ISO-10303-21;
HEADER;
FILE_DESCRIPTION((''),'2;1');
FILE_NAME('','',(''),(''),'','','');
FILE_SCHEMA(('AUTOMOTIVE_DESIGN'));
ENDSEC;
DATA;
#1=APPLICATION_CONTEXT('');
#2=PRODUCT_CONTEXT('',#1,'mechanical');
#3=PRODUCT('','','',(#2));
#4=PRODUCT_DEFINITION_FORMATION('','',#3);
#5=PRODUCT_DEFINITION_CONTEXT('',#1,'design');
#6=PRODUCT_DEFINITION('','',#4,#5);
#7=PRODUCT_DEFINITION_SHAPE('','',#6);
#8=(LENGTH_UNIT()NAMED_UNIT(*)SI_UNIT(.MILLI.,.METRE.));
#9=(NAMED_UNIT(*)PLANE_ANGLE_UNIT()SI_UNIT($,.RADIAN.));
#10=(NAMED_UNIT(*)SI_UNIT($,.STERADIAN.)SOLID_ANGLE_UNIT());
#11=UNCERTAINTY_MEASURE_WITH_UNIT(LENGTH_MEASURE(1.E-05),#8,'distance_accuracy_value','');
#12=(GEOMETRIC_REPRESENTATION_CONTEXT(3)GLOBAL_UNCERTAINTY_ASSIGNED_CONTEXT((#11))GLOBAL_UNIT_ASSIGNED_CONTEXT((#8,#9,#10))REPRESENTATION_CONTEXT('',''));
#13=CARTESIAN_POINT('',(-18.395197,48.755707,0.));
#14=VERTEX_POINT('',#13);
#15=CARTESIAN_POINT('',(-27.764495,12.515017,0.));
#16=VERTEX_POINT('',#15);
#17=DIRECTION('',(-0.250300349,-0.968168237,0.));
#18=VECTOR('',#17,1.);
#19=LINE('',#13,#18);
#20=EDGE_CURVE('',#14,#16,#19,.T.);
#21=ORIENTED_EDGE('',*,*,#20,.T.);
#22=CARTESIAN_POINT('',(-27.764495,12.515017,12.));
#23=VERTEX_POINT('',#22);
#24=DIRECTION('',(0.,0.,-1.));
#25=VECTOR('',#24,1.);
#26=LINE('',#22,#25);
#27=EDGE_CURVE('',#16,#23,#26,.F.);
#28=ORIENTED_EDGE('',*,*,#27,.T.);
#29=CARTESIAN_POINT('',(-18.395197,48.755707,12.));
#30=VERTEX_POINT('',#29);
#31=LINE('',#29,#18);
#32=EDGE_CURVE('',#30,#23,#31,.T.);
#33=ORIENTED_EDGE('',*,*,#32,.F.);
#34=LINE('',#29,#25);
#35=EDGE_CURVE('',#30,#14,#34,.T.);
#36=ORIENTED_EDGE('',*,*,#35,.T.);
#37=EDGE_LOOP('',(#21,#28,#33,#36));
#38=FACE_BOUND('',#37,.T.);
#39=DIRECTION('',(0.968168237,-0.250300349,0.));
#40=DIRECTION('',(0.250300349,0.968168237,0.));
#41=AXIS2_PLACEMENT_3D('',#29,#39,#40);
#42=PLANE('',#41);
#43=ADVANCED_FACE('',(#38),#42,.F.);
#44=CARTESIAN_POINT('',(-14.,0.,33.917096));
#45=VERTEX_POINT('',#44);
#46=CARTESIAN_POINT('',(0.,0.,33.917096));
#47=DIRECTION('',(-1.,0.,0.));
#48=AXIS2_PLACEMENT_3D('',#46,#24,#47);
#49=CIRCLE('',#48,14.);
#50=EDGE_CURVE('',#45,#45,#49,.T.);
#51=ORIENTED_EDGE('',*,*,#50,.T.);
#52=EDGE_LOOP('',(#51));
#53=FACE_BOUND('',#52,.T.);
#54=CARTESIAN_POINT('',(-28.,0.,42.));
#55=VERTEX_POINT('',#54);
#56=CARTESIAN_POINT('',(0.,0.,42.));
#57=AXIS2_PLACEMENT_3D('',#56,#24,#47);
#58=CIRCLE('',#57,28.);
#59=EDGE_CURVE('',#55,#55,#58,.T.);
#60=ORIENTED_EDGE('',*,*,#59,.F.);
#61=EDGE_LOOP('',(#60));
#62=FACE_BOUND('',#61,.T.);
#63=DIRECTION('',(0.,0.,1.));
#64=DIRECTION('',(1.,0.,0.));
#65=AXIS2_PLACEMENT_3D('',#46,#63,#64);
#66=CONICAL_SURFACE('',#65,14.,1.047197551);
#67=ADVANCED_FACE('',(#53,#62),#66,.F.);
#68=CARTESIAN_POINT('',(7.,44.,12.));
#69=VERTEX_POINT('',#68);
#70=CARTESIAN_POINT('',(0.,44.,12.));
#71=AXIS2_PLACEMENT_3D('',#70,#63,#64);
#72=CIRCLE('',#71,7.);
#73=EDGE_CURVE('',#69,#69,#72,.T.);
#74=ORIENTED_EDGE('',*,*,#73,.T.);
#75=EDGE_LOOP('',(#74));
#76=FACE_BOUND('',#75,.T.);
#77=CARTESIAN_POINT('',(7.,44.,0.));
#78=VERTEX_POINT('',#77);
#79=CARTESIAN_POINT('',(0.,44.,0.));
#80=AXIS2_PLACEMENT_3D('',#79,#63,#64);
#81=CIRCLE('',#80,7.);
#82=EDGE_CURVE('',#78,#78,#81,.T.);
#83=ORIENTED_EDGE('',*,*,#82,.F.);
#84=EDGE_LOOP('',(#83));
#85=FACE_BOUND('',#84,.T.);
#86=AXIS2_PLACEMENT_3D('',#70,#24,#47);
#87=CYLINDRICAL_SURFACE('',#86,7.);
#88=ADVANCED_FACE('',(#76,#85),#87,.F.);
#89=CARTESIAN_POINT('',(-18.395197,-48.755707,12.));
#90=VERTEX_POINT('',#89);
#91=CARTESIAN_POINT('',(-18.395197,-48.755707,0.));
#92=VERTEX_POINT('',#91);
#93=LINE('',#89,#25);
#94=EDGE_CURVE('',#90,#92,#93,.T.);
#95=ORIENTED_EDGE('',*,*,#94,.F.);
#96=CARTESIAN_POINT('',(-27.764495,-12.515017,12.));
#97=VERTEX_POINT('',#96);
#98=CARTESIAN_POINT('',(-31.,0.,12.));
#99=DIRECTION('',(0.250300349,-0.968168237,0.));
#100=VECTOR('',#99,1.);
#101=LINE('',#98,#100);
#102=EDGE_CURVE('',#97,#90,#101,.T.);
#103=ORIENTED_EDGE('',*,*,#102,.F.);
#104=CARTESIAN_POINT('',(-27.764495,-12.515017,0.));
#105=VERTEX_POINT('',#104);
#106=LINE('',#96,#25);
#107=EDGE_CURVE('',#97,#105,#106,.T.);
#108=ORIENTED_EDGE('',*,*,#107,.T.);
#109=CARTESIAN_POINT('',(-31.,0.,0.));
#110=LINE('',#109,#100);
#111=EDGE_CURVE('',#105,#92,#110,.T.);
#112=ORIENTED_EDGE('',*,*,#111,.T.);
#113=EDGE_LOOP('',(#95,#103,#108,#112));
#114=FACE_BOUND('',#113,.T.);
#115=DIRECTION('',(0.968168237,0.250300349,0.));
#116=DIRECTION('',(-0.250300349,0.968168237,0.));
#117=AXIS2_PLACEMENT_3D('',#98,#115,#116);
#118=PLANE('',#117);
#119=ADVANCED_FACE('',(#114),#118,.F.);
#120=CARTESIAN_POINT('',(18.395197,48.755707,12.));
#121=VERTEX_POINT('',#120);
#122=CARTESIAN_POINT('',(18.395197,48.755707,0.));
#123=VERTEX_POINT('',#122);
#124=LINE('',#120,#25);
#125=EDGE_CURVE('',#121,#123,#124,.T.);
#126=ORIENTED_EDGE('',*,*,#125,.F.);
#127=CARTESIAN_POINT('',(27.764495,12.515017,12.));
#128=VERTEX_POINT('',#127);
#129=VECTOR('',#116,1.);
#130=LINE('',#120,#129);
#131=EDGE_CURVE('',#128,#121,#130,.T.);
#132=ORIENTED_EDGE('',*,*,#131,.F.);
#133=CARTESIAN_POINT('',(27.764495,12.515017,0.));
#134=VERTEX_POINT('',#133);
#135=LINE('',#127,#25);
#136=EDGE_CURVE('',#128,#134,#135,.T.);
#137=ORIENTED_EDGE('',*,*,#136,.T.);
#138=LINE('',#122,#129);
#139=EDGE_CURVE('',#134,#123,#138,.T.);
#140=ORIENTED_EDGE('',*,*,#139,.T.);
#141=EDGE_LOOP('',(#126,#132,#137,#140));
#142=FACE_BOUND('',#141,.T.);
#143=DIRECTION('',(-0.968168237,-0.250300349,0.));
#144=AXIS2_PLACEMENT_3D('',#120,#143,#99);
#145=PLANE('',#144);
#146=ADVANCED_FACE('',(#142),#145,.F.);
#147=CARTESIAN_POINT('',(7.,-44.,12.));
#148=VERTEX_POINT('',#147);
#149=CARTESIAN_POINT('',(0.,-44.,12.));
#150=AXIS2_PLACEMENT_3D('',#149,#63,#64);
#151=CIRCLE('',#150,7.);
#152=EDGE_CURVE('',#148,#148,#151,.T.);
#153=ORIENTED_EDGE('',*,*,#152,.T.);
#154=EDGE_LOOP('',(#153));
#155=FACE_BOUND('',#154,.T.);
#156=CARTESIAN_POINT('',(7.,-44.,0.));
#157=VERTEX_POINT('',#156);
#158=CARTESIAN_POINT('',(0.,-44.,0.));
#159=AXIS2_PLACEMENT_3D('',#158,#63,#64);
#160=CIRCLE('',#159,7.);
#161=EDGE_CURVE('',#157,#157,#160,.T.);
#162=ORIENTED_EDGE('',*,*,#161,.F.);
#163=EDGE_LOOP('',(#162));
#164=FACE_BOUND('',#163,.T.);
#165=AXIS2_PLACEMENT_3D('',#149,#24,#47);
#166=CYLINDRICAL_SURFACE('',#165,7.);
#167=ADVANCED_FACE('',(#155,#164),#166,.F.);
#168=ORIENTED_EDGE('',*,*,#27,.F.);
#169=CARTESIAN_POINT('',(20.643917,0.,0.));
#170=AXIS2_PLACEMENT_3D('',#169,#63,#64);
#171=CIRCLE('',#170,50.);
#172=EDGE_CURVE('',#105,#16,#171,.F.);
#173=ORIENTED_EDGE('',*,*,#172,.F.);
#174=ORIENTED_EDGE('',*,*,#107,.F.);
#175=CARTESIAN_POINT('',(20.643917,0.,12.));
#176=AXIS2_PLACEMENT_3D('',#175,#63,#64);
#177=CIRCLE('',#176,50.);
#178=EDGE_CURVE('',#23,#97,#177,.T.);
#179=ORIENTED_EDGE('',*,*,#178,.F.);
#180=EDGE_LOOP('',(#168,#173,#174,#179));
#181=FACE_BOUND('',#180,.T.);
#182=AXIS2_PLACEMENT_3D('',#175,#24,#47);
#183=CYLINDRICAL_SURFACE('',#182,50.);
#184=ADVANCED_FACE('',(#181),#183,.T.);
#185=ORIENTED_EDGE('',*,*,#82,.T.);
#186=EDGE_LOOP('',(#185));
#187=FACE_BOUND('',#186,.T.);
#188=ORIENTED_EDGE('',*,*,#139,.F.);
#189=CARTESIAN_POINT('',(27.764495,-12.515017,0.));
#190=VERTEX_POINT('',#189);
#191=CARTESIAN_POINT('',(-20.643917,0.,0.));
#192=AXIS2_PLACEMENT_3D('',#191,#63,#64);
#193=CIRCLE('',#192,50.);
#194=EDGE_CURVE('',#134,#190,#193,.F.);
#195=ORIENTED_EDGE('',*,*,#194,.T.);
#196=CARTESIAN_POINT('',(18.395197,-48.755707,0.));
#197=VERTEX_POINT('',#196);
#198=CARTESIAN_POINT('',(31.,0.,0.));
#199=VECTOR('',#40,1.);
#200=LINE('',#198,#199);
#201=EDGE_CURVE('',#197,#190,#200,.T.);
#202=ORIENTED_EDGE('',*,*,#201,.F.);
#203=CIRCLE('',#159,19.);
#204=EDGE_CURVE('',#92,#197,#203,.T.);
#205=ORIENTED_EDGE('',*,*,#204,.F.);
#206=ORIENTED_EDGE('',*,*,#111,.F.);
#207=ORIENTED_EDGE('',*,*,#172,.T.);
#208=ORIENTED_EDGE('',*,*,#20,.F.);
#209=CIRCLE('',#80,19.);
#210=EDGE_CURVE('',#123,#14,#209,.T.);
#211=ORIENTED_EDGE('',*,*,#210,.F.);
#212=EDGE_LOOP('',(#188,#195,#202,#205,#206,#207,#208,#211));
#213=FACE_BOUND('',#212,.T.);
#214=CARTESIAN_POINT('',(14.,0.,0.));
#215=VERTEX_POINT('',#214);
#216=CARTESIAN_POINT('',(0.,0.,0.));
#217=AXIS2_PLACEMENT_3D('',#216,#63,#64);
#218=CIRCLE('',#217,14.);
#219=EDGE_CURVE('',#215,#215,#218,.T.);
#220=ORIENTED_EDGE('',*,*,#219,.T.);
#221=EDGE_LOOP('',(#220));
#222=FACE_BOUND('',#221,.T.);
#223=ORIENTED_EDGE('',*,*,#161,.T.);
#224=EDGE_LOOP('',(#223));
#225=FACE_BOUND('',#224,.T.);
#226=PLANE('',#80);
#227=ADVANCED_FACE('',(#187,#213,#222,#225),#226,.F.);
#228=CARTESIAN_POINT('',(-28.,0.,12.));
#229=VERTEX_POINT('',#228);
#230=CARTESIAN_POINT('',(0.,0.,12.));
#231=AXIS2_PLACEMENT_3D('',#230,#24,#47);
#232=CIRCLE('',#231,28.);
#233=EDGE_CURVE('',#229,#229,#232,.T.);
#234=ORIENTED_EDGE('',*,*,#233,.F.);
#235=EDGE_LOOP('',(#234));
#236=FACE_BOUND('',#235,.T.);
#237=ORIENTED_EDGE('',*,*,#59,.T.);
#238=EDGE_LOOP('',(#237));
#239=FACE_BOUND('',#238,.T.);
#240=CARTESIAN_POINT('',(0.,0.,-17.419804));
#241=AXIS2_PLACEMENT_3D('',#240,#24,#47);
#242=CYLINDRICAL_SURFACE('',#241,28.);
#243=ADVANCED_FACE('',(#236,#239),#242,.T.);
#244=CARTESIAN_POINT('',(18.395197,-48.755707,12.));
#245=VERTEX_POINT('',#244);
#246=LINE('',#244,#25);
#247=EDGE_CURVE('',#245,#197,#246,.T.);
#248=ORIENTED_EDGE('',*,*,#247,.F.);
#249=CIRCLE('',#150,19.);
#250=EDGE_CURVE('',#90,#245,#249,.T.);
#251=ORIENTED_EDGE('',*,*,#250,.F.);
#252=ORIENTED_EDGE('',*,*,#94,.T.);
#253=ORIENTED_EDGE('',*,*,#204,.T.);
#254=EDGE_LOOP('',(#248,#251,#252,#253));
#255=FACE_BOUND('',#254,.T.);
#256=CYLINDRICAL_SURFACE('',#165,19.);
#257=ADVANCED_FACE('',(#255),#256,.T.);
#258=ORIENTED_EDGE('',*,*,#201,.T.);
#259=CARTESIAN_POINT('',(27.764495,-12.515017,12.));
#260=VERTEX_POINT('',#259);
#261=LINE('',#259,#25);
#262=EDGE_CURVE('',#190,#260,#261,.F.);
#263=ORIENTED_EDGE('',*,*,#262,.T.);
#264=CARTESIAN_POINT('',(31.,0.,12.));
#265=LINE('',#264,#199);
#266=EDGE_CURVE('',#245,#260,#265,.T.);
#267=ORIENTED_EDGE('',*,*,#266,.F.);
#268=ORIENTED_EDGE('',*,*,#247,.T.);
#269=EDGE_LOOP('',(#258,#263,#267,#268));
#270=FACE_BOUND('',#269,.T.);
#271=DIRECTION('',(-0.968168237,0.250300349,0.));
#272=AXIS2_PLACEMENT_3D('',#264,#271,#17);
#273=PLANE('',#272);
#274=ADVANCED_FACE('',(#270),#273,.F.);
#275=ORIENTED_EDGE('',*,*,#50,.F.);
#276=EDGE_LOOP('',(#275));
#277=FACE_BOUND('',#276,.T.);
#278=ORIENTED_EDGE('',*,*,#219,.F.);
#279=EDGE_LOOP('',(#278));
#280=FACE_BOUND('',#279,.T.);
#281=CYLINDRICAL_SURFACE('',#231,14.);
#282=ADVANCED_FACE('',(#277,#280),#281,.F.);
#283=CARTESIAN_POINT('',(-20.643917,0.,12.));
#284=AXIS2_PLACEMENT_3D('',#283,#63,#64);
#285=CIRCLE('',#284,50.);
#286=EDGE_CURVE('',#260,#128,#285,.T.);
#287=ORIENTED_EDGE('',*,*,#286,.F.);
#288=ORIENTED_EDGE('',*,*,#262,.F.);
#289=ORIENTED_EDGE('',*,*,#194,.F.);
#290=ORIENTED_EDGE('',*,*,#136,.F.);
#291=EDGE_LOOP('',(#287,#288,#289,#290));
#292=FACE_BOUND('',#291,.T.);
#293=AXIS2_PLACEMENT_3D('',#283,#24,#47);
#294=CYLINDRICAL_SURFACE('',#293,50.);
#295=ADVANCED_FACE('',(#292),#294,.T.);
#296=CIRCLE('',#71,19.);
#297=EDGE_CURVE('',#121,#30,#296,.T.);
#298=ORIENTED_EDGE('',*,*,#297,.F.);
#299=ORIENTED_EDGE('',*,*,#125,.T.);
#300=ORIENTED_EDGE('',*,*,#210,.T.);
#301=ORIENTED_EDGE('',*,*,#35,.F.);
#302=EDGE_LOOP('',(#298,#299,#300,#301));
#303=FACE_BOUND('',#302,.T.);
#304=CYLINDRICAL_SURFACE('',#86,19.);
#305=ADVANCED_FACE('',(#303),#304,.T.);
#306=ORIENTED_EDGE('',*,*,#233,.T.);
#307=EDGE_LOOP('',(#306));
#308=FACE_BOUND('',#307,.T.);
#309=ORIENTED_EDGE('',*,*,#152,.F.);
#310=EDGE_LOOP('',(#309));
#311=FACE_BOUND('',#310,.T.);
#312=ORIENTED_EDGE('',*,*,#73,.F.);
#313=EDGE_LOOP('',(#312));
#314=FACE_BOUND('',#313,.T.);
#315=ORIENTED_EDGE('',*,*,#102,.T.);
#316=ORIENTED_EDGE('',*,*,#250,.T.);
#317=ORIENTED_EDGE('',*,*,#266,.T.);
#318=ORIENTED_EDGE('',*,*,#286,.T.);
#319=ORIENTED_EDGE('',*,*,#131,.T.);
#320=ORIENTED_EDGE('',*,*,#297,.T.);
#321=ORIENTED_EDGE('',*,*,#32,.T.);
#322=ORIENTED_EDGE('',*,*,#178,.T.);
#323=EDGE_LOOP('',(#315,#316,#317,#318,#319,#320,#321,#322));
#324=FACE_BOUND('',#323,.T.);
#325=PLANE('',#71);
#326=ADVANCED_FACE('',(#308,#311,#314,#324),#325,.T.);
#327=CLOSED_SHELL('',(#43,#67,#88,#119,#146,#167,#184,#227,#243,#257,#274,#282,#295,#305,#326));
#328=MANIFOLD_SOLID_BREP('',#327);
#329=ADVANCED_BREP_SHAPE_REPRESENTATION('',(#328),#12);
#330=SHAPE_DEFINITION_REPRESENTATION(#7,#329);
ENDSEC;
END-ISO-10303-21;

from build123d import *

# Parameters (mm, degrees)
SKETCH1_R           = 7
SKETCH1_R_2         = 14
BOSS_EXTRUDE1_DEPTH = 12
FILLET1_R           = 50


with BuildPart() as part:
    # Sketch1 → Boss-Extrude1 (new body)
    with BuildSketch(Plane.XY):
        with BuildLine():
            Line((-18.395196505, 48.755706629), (-31, 0))
            Line((-31, 0), (-18.395196505, -48.755706629))
            ThreePointArc((-18.395196505, -48.755706629), (0, -63), (18.395196505, -48.755706629))
            Line((18.395196505, -48.755706629), (31, 0))
            Line((31, 0), (18.395196505, 48.755706629))
            ThreePointArc((18.395196505, 48.755706629), (0, 63), (-18.395196505, 48.755706629))
        make_face()
        with Locations((0, 44)):
            Circle(SKETCH1_R, mode=Mode.SUBTRACT)
        with Locations((0, -44)):
            Circle(SKETCH1_R, mode=Mode.SUBTRACT)
        Circle(SKETCH1_R_2, mode=Mode.SUBTRACT)
    extrude(amount=BOSS_EXTRUDE1_DEPTH)

    # Fillet1
    fillet1_edges = [part.edges().sort_by_distance(p)[0] for p in [
        (31, 0, 6),
        (-31, 0, 6),
    ]]
    fillet(fillet1_edges, radius=FILLET1_R)

    # Sketch3 → Revolve1 (revolve)
    with BuildSketch(Plane(origin=(0, 0, 0), x_dir=(1, 0, 0), z_dir=(0, 1, 0)), mode=Mode.PRIVATE) as revolve1_sk:
        Polygon((14, -12), (28, -12), (28, -42), (14, -33.917096231), align=None)
    revolve(revolve1_sk.sketch.rotate(Axis((0, 0, -17.419804193), (0, 0, 1)), 180), axis=Axis((0, 0, -17.419804193), (0, 0, 1)))


solid = part.part
